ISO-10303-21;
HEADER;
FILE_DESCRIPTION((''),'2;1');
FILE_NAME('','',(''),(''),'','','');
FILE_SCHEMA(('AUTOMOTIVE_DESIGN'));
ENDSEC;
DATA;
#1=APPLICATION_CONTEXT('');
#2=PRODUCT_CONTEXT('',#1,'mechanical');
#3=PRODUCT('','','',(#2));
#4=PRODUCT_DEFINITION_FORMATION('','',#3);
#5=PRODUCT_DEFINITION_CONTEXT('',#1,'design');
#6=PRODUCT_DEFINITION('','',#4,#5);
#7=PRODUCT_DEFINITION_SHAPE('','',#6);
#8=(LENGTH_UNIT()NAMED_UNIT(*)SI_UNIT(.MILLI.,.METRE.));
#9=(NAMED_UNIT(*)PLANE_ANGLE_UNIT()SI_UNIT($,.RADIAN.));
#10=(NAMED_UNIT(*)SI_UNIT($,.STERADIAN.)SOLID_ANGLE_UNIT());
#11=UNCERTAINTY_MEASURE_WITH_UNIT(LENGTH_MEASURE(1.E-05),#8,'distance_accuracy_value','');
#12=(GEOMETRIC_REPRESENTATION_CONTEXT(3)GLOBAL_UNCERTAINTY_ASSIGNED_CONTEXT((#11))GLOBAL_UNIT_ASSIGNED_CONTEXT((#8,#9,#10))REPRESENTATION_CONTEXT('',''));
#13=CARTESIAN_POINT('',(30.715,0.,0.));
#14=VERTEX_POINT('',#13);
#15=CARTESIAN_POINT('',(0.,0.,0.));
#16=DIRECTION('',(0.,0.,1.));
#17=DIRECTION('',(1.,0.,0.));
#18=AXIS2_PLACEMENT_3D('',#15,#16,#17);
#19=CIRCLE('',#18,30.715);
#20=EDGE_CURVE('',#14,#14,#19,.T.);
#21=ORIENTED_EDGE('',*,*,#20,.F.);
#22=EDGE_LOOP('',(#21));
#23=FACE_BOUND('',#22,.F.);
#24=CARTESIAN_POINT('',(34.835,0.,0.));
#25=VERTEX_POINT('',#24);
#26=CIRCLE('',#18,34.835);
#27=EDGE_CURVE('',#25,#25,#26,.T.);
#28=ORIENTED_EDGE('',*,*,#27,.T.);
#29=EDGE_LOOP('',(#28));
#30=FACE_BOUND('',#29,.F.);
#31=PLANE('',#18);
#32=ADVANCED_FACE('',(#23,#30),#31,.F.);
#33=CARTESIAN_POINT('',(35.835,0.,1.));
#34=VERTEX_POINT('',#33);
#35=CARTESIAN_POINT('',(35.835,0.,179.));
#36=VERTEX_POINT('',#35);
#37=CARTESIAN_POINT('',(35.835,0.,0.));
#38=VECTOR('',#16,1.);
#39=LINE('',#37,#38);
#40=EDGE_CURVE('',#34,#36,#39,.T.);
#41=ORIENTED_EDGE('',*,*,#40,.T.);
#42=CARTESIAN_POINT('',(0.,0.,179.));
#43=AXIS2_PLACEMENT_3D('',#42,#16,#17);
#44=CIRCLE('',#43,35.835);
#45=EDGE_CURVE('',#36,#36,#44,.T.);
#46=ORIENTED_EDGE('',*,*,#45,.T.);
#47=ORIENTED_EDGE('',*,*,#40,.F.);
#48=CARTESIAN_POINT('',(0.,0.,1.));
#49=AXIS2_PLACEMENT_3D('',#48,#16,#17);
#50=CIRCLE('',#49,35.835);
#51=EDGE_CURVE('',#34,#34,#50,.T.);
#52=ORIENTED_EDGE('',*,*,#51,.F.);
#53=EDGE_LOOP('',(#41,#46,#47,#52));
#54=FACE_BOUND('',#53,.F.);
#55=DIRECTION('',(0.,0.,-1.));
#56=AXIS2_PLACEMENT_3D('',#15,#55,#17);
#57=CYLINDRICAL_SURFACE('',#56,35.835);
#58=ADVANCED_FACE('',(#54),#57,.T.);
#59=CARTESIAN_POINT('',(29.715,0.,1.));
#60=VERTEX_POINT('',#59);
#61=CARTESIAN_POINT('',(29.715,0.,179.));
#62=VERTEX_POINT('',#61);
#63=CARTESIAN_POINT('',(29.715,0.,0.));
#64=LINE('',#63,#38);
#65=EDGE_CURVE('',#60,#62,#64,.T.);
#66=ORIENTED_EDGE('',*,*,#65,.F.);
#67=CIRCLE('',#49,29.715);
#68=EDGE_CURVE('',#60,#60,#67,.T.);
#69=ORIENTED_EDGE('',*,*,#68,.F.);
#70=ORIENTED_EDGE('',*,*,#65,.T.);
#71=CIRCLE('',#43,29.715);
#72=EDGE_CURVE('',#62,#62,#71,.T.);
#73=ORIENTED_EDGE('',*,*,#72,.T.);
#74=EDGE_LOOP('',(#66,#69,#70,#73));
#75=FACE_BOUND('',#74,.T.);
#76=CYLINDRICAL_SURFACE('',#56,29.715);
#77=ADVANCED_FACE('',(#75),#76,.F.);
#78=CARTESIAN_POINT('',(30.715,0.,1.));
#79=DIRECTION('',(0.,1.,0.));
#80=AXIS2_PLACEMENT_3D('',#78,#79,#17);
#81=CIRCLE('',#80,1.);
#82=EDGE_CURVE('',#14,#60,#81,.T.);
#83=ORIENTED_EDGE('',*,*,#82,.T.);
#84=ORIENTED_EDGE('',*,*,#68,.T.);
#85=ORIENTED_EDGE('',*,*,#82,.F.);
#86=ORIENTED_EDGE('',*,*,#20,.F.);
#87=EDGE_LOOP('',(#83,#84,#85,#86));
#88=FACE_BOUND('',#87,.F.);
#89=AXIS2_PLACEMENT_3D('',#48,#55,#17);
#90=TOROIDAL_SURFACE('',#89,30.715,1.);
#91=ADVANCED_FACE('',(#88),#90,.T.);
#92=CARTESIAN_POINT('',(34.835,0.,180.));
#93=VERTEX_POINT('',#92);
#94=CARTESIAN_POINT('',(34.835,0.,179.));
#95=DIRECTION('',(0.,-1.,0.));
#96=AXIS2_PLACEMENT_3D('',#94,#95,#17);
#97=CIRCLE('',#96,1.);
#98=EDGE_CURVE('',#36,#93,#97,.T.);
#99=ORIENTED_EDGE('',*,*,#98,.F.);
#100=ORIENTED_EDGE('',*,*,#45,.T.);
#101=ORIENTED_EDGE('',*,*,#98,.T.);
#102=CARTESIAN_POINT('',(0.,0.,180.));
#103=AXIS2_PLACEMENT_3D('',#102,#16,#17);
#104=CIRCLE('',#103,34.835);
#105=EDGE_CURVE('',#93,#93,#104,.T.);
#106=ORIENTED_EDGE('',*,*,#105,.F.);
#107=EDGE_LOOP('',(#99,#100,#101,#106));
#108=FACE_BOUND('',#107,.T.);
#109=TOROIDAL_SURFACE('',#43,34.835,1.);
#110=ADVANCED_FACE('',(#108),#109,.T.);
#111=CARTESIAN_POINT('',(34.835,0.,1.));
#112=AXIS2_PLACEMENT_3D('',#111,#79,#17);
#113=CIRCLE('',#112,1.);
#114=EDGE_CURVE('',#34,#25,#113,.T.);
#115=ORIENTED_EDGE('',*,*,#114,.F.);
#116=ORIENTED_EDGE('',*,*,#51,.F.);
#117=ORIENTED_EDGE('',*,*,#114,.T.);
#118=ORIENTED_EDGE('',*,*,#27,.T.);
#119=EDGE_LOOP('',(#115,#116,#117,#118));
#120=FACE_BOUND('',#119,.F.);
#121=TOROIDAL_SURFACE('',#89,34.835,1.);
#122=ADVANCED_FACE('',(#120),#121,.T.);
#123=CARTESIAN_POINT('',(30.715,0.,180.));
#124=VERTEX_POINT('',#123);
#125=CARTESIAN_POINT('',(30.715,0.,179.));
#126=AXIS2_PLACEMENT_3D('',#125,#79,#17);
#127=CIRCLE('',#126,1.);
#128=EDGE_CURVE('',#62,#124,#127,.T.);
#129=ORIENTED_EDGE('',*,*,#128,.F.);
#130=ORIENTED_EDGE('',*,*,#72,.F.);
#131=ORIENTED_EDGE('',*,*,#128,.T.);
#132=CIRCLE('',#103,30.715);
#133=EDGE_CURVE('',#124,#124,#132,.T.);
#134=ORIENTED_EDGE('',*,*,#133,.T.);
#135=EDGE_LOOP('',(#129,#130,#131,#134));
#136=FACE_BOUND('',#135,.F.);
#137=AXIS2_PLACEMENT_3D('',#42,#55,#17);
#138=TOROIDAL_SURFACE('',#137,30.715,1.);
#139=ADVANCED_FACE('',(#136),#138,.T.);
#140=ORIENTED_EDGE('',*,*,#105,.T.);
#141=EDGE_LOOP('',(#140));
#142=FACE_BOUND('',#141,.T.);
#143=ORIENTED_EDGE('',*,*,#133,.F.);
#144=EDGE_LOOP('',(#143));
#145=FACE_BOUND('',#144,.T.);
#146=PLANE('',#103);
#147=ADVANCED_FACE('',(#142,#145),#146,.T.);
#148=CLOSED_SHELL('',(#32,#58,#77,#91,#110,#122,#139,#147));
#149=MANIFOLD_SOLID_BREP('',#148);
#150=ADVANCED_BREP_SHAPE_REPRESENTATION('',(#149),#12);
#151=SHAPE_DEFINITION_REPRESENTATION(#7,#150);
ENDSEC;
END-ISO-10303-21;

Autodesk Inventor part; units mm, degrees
ref_plane "YZ Plane" through (0, 0, 0) normal (1, 0, 0) x (0, 1, 0)
ref_plane "XZ Plane" through (0, 0, 0) normal (0, 1, 0) x (-1, 0, 0)
ref_plane "XY Plane" through (0, 0, 0) normal (0, 0, 1) x (1, 0, 0)
sketch "Sketch1" plane through (0, 0, 0) normal (0, 0, 1) x (1, 0, 0)
  circle A0 centre (0, 0) radius 35.835
  circle A1 centre (0, 0) radius 29.715
  dimension "d0" = 71.67
  dimension "d1" = 59.43
extrude "Extrusion1" add sketch "Sketch1" along normal blind 180
thread "Thread1" size "M16x2" class "6g" standard "ANSI Metric M Profile" full length
fillet "Fillet1" radius 1 2 edges at (-35.835, 0, 180) (-29.715, 0, 180)
fillet "Fillet2" radius 1 2 edges at (-29.715, 0, 0) (-35.835, 0, 0)
properties part number "4111_Bias_Coil_Layer2_MPSv2_v1" material "Copper"
